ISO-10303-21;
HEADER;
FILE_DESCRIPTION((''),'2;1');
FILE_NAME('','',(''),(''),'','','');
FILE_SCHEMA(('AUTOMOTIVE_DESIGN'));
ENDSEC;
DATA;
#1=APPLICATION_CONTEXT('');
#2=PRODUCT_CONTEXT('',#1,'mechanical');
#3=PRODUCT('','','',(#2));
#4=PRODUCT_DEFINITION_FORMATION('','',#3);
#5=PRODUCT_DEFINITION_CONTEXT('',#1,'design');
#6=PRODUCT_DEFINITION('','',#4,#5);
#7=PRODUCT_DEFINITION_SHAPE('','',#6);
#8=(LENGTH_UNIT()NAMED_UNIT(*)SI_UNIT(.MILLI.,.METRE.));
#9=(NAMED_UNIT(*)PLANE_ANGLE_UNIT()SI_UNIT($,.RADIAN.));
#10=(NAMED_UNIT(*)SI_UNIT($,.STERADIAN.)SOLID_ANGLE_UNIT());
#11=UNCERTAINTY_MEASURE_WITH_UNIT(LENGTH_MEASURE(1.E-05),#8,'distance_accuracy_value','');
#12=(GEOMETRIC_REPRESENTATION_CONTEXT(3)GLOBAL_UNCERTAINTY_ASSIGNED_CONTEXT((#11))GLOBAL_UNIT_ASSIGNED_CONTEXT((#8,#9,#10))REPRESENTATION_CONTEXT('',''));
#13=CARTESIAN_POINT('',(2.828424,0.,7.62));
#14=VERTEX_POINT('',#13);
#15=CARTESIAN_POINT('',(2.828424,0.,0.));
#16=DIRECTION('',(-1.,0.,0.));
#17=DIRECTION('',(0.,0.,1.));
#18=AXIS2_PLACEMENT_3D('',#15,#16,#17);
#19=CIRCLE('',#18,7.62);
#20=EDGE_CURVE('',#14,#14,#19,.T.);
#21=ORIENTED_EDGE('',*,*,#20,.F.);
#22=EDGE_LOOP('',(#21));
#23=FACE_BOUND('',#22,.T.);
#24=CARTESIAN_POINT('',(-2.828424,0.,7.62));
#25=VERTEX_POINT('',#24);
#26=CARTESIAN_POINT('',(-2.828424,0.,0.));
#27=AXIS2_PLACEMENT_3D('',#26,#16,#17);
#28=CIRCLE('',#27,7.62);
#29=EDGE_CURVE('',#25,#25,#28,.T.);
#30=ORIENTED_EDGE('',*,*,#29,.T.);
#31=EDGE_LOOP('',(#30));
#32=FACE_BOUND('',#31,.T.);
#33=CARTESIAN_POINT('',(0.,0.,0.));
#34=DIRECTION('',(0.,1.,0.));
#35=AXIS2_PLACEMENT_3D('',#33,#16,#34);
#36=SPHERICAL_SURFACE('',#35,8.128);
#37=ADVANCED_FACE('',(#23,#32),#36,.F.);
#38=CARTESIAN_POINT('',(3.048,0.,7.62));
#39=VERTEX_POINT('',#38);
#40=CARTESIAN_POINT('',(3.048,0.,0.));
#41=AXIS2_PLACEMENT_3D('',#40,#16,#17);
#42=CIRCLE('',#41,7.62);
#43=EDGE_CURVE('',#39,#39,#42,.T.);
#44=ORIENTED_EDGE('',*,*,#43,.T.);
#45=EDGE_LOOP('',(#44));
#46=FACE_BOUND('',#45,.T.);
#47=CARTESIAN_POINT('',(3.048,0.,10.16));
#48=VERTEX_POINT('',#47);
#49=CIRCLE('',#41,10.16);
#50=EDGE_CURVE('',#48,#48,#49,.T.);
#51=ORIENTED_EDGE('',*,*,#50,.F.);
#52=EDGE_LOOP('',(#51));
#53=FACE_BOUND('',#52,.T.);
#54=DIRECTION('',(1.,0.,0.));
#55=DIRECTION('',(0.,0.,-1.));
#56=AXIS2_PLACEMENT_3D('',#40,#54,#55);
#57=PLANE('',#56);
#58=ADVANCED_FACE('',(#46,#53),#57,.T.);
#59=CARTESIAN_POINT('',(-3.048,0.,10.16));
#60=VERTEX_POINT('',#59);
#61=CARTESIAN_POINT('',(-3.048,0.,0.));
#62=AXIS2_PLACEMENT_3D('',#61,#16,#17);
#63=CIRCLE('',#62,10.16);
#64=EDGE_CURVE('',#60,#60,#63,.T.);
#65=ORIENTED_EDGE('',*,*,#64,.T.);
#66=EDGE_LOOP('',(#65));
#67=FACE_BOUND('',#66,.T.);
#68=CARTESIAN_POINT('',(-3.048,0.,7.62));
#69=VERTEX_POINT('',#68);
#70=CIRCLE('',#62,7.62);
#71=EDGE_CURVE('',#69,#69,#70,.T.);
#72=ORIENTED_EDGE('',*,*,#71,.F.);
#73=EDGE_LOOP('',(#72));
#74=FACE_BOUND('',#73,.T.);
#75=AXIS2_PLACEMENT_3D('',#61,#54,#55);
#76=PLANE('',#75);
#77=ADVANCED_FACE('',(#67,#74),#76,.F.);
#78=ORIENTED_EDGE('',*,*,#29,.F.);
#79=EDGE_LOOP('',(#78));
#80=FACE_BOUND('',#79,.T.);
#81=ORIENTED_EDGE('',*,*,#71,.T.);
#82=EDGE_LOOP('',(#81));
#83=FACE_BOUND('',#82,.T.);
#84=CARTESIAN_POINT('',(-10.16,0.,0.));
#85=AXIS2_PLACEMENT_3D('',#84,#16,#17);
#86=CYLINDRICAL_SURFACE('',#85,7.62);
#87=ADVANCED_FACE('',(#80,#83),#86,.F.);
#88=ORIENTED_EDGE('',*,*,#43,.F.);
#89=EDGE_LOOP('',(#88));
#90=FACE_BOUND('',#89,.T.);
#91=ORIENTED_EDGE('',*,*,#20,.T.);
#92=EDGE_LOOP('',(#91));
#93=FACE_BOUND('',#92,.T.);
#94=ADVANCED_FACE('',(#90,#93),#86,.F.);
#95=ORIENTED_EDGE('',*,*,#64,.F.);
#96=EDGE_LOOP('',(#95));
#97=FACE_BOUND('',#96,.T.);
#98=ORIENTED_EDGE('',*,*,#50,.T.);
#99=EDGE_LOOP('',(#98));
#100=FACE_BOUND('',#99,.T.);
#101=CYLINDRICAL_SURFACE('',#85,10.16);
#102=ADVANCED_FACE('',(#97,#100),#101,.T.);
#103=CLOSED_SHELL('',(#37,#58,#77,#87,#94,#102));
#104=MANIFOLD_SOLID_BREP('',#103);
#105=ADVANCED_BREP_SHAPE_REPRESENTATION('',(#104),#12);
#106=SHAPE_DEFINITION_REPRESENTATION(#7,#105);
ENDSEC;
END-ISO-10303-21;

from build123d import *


with BuildPart() as part:
    # Sketch1 → Revolve1 (revolve)
    with BuildSketch(Plane.XY):
        with BuildLine():
            Line((3.048, 10.16), (-3.048, 10.16))
            Line((-3.048, 10.16), (-3.048, 7.62))
            Line((-3.048, 7.62), (-2.828424296, 7.62))
            ThreePointArc((-2.828424296, 7.62), (0, 8.128), (2.828424296, 7.62))
            Line((2.828424296, 7.62), (3.048, 7.62))
            Line((3.048, 7.62), (3.048, 10.16))
        make_face()
    revolve(axis=Axis((-10.16, 0, 0), (1, 0, 0)))


solid = part.part
